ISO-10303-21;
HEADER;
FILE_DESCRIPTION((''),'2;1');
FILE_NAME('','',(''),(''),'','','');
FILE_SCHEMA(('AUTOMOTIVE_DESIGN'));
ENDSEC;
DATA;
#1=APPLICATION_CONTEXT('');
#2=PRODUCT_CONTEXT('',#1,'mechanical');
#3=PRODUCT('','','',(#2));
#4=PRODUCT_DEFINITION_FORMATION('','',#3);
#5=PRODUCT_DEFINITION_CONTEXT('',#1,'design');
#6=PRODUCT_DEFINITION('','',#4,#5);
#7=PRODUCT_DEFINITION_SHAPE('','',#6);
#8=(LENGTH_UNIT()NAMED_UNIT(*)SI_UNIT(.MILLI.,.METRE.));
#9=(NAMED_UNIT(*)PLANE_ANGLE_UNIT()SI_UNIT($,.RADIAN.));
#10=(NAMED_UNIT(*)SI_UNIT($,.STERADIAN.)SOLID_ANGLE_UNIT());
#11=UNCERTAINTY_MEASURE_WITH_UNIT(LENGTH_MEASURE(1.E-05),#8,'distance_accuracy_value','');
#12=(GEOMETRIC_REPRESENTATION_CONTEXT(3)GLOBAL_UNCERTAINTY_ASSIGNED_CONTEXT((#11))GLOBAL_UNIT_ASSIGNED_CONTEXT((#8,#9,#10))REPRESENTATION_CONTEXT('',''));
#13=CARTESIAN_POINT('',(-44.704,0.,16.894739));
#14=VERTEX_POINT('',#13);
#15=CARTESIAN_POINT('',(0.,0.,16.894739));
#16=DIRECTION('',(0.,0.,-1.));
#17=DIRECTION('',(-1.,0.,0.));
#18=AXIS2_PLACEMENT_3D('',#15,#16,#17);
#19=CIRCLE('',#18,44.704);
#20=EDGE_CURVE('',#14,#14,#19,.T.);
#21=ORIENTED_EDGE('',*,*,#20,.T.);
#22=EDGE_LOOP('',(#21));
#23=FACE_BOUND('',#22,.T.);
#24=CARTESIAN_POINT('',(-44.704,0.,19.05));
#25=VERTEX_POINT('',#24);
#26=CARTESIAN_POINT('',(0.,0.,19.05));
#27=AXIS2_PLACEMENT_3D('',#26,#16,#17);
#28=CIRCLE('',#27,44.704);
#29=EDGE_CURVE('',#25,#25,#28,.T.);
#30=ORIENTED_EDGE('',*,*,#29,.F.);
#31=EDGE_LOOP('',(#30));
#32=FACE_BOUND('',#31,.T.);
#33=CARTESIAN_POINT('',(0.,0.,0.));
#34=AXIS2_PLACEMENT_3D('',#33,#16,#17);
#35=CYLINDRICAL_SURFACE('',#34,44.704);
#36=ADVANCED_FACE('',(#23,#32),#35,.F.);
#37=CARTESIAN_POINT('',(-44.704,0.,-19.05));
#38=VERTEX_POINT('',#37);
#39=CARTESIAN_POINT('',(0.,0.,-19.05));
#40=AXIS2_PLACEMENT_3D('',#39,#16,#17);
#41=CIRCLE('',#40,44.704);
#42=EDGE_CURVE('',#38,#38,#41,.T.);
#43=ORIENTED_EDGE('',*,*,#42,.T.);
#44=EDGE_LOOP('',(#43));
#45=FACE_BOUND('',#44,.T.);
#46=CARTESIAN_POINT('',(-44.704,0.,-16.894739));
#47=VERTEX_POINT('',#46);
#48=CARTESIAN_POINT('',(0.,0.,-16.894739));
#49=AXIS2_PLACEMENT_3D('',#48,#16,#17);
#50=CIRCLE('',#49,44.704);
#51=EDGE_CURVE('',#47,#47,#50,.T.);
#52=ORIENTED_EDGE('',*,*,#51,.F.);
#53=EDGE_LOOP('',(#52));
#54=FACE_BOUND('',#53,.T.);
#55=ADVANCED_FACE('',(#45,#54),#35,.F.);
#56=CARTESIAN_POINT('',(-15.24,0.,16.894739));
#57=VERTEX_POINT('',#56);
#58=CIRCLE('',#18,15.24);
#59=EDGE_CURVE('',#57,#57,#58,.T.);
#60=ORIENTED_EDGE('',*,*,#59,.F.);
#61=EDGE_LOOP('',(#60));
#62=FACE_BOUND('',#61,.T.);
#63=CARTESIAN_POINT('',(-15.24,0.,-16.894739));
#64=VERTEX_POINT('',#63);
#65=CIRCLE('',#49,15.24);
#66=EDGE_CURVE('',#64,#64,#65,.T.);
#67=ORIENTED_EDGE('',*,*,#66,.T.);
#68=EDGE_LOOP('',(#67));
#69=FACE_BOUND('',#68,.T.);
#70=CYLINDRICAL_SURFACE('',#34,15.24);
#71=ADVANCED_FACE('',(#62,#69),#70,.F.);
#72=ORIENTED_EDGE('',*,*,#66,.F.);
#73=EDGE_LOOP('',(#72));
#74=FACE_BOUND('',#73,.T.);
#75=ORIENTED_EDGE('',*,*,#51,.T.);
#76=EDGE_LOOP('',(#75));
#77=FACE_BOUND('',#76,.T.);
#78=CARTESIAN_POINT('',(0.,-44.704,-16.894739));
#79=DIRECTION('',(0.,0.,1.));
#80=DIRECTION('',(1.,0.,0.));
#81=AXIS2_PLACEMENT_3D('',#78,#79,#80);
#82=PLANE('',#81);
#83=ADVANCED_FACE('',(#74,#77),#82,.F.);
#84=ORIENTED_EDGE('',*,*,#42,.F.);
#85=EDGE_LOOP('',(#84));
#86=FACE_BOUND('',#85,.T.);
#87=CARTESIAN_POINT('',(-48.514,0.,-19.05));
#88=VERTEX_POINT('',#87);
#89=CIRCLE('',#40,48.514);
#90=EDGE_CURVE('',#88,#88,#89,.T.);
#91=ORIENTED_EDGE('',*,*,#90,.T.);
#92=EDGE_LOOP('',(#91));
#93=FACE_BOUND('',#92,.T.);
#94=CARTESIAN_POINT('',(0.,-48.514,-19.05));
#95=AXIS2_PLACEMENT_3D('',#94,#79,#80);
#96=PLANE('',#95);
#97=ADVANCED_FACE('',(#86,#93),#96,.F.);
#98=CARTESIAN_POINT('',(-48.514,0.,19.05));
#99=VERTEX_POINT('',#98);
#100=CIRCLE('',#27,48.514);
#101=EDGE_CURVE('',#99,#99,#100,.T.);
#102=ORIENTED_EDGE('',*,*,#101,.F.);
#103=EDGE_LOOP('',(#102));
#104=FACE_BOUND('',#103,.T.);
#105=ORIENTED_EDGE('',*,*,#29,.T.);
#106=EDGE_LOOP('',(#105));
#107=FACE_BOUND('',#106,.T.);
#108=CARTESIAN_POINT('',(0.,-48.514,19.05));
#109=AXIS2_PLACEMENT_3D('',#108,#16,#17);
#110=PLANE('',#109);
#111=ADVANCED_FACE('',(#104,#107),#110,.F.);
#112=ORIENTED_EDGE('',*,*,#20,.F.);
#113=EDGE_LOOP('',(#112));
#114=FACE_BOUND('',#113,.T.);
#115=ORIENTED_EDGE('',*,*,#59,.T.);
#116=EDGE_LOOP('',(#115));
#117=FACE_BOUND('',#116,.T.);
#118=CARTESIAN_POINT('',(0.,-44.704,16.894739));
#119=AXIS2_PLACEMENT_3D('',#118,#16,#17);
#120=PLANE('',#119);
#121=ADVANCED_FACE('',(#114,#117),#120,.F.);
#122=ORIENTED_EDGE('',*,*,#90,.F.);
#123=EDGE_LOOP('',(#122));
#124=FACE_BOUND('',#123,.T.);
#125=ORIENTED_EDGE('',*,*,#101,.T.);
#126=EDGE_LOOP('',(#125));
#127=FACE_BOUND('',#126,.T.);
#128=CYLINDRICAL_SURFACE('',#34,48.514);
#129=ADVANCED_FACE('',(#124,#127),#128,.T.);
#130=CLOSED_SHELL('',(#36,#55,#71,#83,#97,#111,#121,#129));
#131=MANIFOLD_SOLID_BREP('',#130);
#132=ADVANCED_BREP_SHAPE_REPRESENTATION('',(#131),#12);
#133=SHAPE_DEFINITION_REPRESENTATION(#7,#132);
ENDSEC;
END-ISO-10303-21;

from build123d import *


with BuildPart() as part:
    # Sketch1 → Revolve4 (revolve)
    with BuildSketch(Plane(origin=(0, 0, 0), x_dir=(0, 0, -1), z_dir=(1, 0, 0)), mode=Mode.PRIVATE) as revolve4_sk:
        Polygon((-19.05, -48.514), (-19.05, -44.704), (-16.894738531, -44.704), (-16.894738531, -15.24), (16.894738531, -15.24), (16.894738531, -44.704), (19.05, -44.704), (19.05, -48.514), align=None)
    revolve(revolve4_sk.sketch.rotate(Axis((0, 0, 0), (0, 0, 1)), 270), axis=Axis((0, 0, 0), (0, 0, 1)))


solid = part.part
